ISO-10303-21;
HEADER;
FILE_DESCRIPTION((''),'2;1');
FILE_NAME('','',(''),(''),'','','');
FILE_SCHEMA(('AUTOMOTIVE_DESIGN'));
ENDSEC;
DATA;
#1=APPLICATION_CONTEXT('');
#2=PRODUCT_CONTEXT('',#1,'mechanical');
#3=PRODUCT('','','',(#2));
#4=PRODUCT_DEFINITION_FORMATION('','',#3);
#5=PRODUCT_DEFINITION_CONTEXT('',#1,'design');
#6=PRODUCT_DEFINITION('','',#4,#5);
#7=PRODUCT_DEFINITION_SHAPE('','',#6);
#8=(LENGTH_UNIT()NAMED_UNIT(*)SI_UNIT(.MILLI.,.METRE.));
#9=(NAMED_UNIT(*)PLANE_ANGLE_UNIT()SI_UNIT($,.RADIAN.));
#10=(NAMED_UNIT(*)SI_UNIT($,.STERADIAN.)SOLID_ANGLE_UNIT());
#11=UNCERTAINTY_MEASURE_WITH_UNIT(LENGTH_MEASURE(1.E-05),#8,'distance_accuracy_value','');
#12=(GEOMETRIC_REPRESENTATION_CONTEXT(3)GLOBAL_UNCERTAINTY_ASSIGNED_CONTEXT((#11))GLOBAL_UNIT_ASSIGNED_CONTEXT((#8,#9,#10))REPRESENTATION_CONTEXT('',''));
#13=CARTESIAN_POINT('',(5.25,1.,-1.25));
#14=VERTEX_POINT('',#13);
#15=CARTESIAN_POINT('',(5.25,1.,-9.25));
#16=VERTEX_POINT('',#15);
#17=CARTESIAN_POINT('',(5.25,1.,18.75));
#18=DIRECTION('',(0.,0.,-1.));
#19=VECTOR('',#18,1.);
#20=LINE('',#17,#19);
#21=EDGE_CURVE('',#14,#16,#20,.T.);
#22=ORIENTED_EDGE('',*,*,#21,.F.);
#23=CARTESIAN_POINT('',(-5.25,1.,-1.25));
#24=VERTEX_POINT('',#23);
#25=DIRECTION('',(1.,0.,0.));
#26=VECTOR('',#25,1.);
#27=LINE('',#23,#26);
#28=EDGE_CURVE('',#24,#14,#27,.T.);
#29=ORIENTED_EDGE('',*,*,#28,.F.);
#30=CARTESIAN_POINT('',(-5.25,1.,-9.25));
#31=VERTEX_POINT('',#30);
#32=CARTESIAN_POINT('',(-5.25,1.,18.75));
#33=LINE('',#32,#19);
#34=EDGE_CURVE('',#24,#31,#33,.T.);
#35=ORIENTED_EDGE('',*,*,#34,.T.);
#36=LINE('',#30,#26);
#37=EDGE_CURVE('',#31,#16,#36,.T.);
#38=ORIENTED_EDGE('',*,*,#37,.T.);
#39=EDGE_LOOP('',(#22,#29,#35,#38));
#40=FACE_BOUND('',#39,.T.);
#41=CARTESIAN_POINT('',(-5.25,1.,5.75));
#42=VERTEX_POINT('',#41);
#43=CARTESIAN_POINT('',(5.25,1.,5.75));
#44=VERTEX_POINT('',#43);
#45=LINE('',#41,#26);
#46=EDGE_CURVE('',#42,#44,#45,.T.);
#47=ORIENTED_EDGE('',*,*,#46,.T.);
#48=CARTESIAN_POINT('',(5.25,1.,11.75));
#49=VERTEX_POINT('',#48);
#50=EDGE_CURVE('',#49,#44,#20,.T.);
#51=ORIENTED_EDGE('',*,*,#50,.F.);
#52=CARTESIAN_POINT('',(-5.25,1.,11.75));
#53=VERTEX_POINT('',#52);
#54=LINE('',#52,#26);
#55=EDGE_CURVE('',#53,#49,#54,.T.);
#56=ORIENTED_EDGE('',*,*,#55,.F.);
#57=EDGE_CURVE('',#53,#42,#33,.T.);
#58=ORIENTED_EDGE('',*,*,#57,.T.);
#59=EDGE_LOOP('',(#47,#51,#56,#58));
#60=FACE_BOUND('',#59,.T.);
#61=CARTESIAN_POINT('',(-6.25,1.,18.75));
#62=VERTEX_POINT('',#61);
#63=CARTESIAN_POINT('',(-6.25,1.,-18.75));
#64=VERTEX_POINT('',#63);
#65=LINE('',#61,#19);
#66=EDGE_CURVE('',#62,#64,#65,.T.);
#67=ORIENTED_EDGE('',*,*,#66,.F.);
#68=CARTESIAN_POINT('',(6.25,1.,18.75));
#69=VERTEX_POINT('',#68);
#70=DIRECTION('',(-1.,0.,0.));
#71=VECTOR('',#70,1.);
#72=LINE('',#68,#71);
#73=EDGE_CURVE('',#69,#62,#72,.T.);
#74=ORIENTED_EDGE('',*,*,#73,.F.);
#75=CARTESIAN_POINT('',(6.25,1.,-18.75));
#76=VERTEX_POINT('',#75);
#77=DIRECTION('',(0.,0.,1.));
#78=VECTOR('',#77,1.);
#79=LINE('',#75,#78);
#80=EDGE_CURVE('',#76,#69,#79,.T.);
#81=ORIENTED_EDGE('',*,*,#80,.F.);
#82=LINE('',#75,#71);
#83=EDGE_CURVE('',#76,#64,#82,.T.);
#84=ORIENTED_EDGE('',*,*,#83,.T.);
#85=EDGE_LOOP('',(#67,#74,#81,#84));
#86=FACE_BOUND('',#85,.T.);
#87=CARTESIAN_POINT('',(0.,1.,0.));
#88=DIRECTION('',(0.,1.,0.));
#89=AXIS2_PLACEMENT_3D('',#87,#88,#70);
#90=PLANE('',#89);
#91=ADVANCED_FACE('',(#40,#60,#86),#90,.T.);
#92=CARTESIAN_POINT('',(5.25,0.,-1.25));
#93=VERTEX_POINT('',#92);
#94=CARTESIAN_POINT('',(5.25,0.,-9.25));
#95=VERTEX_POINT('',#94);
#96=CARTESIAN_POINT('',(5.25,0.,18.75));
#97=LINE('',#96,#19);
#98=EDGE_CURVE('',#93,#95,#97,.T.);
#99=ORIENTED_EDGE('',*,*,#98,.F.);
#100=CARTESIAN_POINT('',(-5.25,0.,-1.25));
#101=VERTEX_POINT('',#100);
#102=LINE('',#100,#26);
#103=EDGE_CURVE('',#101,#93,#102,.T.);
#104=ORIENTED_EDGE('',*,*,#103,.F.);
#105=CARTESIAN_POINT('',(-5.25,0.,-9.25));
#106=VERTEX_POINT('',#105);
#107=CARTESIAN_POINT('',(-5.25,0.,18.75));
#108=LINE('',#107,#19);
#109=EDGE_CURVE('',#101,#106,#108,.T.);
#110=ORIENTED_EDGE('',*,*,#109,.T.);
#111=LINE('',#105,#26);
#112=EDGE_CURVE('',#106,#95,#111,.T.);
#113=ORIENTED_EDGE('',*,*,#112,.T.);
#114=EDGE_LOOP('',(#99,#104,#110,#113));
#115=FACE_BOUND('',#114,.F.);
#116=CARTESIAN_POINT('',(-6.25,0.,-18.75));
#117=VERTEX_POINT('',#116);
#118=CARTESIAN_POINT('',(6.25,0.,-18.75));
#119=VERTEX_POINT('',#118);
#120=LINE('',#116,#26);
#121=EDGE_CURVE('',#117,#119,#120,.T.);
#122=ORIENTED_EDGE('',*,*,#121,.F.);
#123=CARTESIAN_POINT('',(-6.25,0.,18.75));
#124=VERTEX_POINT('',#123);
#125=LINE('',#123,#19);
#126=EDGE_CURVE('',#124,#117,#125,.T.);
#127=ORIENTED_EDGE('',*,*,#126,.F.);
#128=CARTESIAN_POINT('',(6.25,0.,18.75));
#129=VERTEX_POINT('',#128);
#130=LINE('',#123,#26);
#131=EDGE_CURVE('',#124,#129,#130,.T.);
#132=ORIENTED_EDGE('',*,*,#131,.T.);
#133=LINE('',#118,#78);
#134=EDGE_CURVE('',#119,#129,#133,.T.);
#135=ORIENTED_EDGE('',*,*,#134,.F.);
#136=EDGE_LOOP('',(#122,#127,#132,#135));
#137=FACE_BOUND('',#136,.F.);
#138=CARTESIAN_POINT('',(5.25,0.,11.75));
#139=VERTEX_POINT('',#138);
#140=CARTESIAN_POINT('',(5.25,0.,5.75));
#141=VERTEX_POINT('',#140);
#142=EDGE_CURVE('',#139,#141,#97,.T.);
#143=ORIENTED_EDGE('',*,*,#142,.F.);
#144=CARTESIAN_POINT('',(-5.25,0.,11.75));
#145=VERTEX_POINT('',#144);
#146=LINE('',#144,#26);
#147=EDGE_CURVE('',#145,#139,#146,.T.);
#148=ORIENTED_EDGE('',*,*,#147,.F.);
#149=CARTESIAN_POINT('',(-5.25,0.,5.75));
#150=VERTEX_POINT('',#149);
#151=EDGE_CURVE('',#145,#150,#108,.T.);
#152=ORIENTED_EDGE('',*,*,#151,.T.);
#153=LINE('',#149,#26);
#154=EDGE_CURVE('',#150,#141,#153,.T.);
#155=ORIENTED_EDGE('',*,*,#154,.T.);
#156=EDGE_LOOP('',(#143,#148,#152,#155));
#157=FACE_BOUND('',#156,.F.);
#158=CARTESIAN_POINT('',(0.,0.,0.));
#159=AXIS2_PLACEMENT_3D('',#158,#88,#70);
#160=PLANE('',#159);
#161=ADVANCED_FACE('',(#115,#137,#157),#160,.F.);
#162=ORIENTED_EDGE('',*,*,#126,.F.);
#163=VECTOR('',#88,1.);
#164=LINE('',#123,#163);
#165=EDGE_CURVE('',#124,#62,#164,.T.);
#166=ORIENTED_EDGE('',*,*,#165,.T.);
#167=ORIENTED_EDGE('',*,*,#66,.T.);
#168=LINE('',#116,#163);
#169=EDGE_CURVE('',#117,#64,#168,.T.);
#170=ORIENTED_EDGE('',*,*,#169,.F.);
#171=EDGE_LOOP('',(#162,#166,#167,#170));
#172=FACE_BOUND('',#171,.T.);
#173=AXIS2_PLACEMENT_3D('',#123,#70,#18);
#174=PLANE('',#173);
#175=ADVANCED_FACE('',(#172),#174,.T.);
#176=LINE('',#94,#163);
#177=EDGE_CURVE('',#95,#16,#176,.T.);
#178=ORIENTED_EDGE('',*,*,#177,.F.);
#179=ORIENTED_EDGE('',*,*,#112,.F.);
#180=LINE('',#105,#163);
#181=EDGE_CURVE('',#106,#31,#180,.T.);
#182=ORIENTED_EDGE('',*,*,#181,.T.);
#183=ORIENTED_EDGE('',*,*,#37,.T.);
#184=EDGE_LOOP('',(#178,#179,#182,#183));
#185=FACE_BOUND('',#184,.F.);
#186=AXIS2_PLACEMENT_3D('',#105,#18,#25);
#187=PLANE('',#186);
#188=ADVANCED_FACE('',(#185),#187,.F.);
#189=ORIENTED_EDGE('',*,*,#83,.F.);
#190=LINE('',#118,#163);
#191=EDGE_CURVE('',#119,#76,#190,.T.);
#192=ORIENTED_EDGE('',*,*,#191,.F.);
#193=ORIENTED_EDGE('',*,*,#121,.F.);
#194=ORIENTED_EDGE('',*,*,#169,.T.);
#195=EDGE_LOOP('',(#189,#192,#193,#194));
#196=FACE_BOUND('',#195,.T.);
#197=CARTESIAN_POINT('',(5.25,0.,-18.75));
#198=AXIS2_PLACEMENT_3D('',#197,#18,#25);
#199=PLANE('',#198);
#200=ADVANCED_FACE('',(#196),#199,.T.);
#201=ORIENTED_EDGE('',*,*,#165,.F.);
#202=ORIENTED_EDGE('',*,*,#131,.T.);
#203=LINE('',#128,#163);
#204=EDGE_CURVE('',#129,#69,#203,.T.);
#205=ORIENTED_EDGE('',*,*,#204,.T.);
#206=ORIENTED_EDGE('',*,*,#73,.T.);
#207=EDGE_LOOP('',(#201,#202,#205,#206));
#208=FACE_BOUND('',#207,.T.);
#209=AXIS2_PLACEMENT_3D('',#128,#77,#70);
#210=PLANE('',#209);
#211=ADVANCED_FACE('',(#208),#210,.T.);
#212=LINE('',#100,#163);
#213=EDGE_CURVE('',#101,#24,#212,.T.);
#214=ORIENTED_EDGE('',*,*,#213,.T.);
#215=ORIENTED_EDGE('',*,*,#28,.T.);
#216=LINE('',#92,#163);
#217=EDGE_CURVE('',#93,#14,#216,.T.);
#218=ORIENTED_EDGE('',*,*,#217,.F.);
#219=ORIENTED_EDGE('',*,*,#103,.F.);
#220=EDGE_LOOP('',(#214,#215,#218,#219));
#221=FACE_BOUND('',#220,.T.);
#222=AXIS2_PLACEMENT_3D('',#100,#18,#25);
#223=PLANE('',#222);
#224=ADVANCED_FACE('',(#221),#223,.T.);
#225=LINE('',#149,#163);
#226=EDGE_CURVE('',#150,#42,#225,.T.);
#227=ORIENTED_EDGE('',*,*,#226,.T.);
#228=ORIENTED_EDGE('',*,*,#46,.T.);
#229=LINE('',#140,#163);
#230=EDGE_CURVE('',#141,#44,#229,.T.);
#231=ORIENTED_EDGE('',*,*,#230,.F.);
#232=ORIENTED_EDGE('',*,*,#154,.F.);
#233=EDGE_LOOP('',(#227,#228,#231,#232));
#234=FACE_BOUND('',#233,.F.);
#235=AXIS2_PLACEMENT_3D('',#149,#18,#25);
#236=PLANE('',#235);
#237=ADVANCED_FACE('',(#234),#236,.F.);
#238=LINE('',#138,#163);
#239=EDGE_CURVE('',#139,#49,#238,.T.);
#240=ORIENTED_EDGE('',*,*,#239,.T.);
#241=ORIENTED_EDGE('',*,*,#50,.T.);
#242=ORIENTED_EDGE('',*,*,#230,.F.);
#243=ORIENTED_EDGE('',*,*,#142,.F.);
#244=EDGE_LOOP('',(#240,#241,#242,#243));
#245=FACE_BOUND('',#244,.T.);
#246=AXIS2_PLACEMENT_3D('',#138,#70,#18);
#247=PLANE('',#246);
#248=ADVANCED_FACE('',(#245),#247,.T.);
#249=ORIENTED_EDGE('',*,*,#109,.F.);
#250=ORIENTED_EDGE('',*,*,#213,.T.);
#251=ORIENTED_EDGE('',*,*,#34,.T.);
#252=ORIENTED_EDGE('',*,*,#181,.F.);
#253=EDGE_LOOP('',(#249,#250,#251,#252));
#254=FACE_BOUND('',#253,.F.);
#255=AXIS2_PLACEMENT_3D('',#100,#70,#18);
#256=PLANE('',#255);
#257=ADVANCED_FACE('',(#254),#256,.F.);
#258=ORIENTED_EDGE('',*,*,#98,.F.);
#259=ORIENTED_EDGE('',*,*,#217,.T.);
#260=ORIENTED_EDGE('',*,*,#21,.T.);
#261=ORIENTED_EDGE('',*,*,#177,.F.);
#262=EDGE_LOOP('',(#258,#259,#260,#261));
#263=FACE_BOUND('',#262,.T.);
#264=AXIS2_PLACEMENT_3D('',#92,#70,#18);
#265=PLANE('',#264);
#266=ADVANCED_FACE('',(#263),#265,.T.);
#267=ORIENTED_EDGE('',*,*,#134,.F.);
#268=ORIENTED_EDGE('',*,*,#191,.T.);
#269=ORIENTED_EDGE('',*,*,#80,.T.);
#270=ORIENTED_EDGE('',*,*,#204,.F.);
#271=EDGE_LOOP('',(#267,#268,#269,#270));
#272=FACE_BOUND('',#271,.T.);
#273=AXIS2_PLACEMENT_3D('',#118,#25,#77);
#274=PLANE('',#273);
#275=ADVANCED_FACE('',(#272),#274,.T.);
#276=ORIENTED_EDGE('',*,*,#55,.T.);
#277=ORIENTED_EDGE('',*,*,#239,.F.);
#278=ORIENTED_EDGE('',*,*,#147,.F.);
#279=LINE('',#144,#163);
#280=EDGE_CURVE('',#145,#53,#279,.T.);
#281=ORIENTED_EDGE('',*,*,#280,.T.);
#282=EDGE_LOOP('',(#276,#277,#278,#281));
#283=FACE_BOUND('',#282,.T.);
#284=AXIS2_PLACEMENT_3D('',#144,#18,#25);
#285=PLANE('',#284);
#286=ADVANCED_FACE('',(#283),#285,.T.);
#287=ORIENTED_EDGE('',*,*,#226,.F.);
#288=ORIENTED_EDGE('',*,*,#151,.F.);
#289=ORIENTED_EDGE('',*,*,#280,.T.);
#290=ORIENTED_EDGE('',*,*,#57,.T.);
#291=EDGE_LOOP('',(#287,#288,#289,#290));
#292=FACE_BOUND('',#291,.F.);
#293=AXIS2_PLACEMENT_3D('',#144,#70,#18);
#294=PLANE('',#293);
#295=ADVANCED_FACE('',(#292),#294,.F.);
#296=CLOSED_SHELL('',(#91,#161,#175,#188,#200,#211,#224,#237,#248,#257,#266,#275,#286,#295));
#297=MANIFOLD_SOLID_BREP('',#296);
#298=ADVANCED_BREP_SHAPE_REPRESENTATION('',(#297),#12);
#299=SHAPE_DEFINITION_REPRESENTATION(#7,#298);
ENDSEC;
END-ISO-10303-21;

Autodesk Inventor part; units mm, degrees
ref_plane "YZ Plane" through (0, 0, 0) normal (1, 0, 0) x (0, 1, 0)
ref_plane "XZ Plane" through (0, 0, 0) normal (0, 1, 0) x (-1, 0, 0)
ref_plane "XY Plane" through (0, 0, 0) normal (0, 0, 1) x (1, 0, 0)
sketch "Sketch1" plane through (0, 0, 0) normal (0, 1, 0) x (-1, 0, 0)
  line L0 (-6.25, 18.75) -> (6.25, 18.75)
  line L1 (6.25, 18.75) -> (6.25, -18.75)
  line L2 (6.25, -18.75) -> (-6.25, -18.75)
  line L3 (-6.25, -18.75) -> (-6.25, 18.75)
  line L4 (5.25, 18.75) -> (5.25, -18.75)
  line L5 (-5.25, 18.75) -> (-5.25, -18.75)
  line L6 (5.25, 11.75) -> (-5.25, 11.75)
  line L7 (5.25, 5.75) -> (-5.25, 5.75)
  line L8 (5.25, -1.25) -> (-5.25, -1.25)
  line L9 (5.25, -9.25) -> (-5.25, -9.25)
  point P0 (0, 0)
  dimension "d0" = 12.5
  dimension "d1" = 37.5
extrude "Extrusion1" add sketch "Sketch1" along normal blind 1 contours L0 L5 L2 L3 | L0 L4 L6 L5 | L0 L1 L2 L4 | L5 L9 L4 L2 | L7 L4 L8 L5
properties part number "if_case_top"
